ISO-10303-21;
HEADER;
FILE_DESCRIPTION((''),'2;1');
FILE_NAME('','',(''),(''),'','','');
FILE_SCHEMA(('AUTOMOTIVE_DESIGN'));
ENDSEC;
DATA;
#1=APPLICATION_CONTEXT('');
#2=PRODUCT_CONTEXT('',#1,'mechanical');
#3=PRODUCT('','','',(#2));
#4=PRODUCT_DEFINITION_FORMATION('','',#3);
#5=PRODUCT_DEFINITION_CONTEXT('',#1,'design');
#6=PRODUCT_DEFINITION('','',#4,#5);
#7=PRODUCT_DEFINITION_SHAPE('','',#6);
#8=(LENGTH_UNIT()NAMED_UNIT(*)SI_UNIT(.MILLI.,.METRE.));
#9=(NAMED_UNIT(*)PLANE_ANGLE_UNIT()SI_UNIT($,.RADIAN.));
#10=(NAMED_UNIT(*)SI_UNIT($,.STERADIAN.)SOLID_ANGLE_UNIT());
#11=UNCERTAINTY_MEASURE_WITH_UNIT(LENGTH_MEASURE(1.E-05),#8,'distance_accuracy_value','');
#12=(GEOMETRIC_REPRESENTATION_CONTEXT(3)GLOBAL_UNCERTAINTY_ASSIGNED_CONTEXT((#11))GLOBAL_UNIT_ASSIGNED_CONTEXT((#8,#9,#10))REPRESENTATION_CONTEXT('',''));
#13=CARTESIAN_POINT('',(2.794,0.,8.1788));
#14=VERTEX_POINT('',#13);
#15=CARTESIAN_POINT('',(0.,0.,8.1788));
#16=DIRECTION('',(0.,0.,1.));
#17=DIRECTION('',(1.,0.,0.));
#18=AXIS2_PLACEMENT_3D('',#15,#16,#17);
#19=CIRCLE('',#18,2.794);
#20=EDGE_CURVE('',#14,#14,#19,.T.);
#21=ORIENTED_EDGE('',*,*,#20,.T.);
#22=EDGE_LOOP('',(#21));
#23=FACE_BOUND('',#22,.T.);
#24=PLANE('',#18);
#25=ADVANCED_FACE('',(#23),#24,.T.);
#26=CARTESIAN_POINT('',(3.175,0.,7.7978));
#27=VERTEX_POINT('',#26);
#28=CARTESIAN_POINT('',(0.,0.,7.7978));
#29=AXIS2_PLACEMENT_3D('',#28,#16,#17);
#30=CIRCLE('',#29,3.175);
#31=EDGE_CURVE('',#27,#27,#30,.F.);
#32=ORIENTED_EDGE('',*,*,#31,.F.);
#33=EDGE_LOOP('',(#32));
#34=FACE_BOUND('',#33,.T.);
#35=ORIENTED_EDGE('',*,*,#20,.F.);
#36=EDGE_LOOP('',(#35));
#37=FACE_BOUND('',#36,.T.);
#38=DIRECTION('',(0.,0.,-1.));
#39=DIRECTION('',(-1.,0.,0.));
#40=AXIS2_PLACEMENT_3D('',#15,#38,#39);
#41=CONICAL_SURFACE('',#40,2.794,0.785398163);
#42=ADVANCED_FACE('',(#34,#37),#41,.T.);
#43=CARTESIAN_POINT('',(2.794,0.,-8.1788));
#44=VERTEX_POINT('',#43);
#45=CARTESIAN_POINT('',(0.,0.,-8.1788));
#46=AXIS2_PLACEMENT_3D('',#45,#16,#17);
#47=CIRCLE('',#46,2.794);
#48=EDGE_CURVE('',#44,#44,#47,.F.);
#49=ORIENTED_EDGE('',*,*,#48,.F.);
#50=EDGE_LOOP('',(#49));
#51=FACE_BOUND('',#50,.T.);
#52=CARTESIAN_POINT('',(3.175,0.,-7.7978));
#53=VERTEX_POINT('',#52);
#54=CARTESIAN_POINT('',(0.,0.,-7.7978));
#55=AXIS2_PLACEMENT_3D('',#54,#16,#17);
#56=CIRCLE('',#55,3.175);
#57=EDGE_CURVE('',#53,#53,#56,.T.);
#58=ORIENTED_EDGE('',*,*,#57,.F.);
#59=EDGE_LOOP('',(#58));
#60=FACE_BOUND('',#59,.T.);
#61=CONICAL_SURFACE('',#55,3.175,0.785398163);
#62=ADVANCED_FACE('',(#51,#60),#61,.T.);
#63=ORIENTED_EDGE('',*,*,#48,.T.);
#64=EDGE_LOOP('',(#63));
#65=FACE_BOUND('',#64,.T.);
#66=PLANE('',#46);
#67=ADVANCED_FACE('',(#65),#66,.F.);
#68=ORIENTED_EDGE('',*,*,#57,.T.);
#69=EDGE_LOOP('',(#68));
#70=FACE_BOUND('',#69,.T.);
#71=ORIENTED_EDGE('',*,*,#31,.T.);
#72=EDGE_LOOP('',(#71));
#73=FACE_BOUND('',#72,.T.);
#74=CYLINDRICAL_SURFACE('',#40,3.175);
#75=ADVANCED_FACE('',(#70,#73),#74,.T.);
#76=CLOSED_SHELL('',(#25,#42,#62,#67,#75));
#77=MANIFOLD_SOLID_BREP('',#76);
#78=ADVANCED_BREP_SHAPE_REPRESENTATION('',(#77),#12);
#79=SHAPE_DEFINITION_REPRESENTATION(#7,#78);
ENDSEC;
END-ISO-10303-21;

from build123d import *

# Parameters (mm, degrees)
SKETCH2_R      = 3.175
EXTRUDE1_DEPTH = 8.1788
CHAMFER1_SIZE  = 0.381


with BuildPart() as part:
    # Sketch2 → Extrude1 (new, symmetric)
    with BuildSketch(Plane.XY):
        Circle(SKETCH2_R)
    extrude(amount=EXTRUDE1_DEPTH, both=True)

    # Chamfer1
    chamfer1_edges = [part.edges().sort_by_distance(p)[0] for p in [
        (-3.175, 0, -8.1788),
        (-3.175, 0, 8.1788),
    ]]
    chamfer(chamfer1_edges, length=CHAMFER1_SIZE)


solid = part.part
